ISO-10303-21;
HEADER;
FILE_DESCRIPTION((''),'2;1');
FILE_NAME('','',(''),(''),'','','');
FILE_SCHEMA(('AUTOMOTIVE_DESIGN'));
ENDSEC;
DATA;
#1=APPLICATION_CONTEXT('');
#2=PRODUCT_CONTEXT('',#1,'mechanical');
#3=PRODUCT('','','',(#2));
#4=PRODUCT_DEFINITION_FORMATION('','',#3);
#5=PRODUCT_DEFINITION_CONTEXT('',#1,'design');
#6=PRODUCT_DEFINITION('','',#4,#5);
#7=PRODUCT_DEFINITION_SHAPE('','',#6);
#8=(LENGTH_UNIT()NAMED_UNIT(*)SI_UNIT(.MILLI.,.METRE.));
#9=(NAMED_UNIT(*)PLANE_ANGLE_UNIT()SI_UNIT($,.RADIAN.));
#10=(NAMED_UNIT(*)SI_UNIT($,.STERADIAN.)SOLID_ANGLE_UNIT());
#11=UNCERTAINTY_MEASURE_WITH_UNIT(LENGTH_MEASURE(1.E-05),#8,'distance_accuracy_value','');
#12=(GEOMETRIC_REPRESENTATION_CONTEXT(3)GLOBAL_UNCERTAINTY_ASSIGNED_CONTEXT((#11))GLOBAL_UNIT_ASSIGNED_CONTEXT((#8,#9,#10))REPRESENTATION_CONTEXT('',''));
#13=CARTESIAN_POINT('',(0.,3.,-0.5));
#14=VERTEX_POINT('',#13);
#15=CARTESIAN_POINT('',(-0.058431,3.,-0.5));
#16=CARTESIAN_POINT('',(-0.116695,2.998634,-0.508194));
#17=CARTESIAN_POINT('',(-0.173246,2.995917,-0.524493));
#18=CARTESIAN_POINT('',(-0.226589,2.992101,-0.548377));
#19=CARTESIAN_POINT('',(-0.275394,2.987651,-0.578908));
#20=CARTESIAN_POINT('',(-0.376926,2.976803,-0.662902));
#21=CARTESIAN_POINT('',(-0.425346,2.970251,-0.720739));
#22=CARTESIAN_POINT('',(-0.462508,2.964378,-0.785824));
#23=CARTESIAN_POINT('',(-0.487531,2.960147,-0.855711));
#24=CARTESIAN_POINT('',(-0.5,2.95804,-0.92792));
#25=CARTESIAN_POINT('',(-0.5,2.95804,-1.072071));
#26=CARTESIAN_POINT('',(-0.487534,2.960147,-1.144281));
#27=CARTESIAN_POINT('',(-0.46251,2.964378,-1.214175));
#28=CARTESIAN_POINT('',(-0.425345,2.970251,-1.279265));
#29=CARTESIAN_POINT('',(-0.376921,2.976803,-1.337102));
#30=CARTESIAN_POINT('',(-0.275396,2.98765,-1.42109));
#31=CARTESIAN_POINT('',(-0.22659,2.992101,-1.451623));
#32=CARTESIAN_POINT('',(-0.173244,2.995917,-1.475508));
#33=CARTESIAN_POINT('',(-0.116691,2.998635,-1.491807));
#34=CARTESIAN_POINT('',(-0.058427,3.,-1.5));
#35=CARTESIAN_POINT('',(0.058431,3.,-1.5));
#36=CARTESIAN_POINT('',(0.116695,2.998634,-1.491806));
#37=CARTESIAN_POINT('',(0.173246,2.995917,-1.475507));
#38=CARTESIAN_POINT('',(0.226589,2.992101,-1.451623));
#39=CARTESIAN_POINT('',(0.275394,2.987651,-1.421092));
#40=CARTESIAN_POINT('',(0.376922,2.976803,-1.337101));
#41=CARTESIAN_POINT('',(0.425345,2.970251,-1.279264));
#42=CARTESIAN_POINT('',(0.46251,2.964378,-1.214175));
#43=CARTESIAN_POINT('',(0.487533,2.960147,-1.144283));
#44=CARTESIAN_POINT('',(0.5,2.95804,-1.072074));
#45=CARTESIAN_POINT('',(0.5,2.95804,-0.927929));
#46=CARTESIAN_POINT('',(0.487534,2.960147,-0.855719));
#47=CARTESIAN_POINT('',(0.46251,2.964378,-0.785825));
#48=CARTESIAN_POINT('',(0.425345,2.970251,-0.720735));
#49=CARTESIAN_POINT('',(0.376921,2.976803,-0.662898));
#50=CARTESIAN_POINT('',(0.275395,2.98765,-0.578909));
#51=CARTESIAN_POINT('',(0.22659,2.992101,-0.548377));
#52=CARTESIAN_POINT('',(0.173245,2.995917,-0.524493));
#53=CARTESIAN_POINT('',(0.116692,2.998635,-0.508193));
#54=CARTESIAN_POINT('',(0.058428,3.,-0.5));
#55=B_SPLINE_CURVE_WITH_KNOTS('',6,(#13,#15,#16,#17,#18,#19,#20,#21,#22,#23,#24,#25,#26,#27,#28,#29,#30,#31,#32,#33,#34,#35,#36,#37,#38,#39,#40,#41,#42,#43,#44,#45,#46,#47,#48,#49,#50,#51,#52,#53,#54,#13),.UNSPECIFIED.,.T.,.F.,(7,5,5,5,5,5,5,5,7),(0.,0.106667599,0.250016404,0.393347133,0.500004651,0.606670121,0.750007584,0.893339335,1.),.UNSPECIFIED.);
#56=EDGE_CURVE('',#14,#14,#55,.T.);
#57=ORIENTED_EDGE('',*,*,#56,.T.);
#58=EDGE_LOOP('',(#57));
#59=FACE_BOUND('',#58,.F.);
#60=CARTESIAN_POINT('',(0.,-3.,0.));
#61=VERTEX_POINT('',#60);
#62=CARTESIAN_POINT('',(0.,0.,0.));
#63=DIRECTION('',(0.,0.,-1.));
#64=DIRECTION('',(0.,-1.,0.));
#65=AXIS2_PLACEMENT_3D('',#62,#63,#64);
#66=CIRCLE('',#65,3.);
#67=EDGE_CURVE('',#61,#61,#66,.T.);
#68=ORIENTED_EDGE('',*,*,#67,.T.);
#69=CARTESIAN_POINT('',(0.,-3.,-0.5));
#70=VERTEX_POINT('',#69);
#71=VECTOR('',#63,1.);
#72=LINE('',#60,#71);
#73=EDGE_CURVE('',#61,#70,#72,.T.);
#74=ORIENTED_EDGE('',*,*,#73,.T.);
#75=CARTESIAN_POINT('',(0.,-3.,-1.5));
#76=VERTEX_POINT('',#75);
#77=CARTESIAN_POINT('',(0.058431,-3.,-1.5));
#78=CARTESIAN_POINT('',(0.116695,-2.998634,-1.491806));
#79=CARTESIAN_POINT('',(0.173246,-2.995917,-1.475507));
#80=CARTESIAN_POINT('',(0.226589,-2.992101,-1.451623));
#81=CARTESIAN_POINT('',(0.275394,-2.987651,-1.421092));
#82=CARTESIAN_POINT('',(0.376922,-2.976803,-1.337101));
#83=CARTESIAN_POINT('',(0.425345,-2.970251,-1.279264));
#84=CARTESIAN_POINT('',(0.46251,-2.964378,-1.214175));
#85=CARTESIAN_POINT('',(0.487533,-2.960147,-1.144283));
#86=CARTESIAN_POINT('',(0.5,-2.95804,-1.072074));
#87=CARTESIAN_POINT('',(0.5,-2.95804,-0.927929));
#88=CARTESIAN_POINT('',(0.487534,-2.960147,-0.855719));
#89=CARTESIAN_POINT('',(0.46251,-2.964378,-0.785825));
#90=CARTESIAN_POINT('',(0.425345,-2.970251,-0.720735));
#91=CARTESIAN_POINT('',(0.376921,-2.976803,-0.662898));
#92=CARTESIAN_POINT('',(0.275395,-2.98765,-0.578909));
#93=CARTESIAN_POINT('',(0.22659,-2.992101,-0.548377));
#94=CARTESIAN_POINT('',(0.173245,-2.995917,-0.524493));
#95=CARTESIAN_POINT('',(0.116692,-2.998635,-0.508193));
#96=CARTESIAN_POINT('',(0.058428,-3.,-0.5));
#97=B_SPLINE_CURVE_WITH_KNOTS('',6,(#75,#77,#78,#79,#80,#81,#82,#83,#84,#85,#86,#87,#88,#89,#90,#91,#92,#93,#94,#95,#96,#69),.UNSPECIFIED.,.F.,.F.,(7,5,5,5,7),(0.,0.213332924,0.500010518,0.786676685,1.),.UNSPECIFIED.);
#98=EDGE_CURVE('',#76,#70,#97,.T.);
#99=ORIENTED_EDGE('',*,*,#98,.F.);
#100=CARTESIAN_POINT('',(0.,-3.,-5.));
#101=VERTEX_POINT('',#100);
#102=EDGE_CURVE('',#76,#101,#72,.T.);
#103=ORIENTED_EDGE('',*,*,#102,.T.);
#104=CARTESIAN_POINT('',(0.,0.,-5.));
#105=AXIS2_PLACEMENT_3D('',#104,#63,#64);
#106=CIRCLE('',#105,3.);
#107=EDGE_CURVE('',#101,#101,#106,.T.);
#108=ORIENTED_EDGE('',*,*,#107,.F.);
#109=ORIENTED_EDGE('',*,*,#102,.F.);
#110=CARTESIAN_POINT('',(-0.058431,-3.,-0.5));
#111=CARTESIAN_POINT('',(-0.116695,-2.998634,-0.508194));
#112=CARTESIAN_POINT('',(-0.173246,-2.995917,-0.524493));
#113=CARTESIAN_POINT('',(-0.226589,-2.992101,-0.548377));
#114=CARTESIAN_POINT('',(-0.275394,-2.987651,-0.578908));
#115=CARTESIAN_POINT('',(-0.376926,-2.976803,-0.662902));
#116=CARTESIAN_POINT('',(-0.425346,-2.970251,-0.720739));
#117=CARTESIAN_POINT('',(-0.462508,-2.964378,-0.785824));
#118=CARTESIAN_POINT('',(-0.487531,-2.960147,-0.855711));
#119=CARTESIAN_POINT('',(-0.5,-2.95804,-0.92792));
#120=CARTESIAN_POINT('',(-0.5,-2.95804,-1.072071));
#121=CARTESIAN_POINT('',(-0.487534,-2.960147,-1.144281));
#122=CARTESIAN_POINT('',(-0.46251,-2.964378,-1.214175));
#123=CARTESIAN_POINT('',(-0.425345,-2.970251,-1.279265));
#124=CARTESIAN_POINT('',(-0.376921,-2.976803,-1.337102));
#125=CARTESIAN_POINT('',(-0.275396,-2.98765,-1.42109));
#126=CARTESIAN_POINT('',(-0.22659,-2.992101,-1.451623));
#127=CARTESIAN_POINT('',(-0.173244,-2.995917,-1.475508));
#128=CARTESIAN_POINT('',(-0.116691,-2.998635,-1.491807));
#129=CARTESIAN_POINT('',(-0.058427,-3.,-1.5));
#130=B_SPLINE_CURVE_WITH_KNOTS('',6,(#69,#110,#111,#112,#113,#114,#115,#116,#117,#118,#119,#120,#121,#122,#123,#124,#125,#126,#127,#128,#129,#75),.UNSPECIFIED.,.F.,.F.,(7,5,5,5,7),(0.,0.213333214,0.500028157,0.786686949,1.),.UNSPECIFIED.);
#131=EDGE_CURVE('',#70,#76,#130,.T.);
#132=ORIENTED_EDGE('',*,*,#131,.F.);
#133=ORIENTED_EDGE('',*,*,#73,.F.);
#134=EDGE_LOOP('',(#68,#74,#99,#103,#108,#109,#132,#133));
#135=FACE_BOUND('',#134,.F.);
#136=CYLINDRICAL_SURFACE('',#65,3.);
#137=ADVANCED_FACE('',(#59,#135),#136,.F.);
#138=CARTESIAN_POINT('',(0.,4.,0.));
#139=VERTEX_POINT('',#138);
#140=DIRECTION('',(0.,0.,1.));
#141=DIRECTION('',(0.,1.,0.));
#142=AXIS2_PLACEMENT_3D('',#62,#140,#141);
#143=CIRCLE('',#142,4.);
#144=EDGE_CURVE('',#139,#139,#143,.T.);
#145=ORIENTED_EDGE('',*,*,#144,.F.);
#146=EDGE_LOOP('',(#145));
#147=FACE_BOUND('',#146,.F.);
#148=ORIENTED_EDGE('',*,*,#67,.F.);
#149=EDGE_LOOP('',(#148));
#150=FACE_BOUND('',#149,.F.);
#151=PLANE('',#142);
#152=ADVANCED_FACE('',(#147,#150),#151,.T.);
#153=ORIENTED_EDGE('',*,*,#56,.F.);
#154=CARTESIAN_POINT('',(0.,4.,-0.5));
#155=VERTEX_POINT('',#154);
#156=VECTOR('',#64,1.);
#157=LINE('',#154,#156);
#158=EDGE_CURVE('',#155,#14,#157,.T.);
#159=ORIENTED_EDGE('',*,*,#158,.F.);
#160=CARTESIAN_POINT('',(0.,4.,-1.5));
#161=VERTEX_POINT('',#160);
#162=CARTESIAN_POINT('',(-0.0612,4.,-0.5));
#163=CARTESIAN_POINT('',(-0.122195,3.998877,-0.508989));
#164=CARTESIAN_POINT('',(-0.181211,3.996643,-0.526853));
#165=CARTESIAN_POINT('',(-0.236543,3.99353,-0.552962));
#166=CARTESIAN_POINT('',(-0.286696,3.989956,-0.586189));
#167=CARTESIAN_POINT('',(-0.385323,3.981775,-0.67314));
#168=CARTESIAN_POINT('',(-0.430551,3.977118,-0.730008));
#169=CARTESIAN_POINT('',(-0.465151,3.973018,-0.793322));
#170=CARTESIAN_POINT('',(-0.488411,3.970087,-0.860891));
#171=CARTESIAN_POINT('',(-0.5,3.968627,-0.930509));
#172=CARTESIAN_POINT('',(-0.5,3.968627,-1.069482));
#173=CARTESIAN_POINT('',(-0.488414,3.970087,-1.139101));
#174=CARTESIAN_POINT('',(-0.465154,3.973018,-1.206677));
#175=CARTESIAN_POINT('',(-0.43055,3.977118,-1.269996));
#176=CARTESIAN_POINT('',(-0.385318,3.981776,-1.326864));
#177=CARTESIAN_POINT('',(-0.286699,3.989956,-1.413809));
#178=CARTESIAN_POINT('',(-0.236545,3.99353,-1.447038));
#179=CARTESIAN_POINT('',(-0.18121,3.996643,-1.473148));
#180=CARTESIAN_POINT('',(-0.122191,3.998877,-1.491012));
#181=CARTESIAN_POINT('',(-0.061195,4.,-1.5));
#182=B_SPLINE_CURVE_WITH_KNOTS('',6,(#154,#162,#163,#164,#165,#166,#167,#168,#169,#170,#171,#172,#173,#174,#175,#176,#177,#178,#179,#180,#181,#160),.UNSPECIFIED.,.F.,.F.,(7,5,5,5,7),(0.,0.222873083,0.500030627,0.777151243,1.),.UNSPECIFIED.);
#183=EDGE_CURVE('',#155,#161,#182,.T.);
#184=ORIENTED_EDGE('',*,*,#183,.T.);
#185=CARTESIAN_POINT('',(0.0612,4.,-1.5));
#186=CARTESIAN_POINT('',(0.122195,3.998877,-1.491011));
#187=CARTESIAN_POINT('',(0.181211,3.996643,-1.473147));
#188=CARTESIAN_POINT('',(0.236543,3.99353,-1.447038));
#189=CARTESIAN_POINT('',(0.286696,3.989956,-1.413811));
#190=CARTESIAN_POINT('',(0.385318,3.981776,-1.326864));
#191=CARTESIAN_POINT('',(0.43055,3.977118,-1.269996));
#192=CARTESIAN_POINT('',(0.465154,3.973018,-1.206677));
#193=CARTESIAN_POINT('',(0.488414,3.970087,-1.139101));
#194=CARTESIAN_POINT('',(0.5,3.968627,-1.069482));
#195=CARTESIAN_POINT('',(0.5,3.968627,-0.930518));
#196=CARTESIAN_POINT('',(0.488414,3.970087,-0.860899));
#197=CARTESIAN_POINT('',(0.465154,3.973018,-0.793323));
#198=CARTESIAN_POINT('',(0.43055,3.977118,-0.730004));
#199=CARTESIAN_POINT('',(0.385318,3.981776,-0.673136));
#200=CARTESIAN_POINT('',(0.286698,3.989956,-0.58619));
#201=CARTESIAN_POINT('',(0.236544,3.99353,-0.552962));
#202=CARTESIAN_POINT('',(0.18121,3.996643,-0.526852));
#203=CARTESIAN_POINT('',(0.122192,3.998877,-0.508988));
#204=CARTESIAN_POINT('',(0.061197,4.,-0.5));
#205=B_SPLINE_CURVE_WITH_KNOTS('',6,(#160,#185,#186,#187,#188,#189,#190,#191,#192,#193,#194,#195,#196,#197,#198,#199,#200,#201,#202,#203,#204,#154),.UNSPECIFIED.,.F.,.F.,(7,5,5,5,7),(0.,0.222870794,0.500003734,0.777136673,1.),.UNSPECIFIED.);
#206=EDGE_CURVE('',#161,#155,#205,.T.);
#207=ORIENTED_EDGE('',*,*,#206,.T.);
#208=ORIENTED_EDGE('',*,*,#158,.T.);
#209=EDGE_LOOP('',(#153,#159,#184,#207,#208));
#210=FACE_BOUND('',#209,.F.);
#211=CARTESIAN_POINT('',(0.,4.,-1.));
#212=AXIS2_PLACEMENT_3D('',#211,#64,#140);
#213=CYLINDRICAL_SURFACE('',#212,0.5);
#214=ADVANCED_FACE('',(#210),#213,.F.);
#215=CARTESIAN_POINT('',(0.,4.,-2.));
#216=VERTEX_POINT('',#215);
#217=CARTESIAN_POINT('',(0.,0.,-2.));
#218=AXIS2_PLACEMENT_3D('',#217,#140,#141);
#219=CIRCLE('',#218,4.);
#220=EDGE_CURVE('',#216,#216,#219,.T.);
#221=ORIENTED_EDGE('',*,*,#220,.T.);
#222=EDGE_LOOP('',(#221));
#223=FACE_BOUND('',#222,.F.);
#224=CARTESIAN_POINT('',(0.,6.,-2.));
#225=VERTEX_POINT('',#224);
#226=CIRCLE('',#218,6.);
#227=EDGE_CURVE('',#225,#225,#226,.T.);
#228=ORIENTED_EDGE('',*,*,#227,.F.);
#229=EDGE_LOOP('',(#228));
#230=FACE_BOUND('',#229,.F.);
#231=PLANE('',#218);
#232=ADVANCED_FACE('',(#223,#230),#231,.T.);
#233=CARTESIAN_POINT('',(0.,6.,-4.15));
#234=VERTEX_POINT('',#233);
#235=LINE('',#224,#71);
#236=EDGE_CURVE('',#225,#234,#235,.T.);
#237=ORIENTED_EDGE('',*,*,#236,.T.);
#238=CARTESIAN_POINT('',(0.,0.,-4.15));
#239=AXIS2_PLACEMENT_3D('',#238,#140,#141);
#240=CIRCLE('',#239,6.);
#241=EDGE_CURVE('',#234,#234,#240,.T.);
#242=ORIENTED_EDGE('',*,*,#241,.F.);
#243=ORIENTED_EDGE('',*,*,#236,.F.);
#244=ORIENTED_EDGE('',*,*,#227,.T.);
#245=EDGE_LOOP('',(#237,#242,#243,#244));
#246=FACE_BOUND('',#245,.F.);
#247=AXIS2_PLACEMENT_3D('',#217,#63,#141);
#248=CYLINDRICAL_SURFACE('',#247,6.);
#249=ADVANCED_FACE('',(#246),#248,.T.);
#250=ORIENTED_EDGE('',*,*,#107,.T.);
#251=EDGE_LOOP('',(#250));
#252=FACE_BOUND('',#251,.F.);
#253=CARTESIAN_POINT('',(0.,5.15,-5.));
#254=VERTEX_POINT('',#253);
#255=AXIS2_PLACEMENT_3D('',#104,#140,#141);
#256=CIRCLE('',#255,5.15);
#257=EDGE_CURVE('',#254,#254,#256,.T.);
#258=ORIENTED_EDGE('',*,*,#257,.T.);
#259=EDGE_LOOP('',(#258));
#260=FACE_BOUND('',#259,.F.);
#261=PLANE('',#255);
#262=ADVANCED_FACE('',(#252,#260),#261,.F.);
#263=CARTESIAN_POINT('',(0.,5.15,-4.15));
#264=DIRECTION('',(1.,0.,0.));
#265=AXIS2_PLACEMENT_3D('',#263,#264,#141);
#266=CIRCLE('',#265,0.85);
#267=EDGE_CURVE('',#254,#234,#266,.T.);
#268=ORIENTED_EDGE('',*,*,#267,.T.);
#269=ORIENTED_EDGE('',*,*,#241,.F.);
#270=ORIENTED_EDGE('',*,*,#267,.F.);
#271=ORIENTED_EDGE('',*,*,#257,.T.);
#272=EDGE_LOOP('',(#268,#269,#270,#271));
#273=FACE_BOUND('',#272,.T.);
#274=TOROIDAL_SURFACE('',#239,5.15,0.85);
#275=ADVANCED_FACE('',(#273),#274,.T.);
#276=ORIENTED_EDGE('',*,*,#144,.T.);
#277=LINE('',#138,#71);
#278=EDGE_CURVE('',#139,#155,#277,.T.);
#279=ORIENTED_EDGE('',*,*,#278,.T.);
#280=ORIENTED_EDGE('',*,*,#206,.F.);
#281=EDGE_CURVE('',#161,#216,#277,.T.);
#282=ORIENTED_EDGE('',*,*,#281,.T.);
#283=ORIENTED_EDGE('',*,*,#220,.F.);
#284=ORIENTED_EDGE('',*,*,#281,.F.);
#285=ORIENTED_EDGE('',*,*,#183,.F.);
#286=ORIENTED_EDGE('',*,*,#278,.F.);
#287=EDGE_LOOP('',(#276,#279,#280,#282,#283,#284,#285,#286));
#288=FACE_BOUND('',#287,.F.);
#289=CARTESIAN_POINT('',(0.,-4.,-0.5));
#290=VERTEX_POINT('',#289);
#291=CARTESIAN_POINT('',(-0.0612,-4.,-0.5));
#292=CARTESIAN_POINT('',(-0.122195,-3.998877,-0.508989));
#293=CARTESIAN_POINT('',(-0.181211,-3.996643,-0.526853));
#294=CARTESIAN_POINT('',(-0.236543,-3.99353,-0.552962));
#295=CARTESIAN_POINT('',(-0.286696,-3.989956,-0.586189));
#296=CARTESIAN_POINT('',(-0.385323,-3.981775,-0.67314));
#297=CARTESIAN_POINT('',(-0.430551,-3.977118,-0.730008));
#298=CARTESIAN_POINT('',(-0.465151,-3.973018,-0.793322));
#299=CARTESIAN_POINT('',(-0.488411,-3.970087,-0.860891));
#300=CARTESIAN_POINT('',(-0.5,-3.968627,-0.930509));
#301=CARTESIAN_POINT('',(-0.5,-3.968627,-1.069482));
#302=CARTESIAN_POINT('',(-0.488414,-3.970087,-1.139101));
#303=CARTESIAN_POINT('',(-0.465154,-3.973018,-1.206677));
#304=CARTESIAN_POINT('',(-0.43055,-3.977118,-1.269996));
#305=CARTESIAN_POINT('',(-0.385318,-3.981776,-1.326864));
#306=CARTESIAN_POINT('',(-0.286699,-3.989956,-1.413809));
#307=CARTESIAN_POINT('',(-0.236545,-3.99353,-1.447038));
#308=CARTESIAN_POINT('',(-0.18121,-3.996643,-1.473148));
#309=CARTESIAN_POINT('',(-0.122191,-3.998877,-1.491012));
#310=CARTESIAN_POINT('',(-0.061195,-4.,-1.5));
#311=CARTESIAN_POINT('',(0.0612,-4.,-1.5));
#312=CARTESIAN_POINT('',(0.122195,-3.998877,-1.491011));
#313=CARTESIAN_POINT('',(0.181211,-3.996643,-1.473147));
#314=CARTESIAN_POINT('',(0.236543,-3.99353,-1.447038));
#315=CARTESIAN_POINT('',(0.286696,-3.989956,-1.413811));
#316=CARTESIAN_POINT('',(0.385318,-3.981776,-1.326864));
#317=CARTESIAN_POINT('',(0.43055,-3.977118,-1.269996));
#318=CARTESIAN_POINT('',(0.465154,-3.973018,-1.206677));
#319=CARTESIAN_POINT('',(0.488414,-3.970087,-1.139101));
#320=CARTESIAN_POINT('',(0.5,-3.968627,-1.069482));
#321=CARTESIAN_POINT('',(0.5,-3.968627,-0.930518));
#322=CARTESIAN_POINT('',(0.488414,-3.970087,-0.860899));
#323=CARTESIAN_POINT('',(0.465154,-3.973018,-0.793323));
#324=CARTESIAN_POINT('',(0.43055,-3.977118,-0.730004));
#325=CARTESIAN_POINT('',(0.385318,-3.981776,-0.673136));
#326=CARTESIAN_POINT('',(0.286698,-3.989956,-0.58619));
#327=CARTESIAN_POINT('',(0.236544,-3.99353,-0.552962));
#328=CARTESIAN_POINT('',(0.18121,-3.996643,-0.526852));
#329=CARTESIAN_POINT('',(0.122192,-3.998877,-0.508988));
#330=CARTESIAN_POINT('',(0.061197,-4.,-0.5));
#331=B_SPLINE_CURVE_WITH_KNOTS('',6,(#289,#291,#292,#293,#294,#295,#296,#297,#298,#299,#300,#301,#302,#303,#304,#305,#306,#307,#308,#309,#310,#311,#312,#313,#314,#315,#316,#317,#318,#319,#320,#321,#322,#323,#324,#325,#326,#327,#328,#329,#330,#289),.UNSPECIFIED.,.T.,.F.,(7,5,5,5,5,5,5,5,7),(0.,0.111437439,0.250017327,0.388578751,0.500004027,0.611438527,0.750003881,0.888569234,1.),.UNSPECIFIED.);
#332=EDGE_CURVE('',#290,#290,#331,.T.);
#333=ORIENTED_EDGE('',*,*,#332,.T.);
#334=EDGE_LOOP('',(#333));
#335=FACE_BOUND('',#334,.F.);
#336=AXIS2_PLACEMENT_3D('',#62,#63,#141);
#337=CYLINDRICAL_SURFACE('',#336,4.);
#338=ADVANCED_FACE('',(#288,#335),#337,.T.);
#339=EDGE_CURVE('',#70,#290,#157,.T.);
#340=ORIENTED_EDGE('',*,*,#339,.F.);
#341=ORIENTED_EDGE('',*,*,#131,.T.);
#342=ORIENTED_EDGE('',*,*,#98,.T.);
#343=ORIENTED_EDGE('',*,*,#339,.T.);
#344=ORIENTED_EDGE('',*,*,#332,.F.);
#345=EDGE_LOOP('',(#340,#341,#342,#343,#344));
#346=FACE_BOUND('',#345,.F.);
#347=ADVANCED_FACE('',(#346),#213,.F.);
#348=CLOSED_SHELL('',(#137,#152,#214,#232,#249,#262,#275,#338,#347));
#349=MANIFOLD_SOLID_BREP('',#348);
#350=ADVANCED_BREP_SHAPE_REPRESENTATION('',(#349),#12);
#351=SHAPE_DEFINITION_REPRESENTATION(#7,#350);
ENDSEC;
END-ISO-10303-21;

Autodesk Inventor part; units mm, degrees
ref_plane "YZ Plane" through (0, 0, 0) normal (1, 0, 0) x (0, 1, 0)
ref_plane "XY Plane" through (0, 0, 0) normal (0, 0, 1) x (1, 0, 0)
sketch "Sketch1" plane through (0, 0, 0) normal (1, 0, 0) x (0, 1, 0)
  line L0 (0, 0) -> (4, 0)
  line L1 (4, 0) -> (4, -2)
  line L2 (4, -2) -> (6, -2)
  line L3 (6, -2) -> (6, -5)
  line L4 (6, -5) -> (0, -5)
  line L5 (0, -5) -> (0, 0)
  point P0 (3, -5)
  dimension "d0" = 5
  dimension "d1" = 2
  dimension "d2" = 8
  dimension "d3" = 12
revolve "Revolution1" add sketch "Sketch1" angle 360 about axis through (0, 0, -5) along (0, 0, 1)
sketch "Sketch2" plane through (0, 0, 0) normal (0, 0, 1) x (1, 0, 0)
  circle A0 centre (0, 0) radius 4 projected
hole "Hole1" at (0, 0, 0) direction (0, 0, -1) diameter 6 depth 5
fillet "Fillet1" radius 0.85 1 edges at (0, -6, -5)
ref_plane "Work Plane1" through (0, 4, 0) normal (0, 1, 0) x (-1, 0, 0)
sketch "Sketch3" plane through (0, 4, 0) normal (0, 1, 0) x (-1, 0, 0)
  point P0 (0, 0)
  point P1 (0, -1)
  dimension "d14" = 1
hole "Hole2" at (0, 4, -1) direction (0, -1, 0) diameter 1 end through all
properties part number "03"
